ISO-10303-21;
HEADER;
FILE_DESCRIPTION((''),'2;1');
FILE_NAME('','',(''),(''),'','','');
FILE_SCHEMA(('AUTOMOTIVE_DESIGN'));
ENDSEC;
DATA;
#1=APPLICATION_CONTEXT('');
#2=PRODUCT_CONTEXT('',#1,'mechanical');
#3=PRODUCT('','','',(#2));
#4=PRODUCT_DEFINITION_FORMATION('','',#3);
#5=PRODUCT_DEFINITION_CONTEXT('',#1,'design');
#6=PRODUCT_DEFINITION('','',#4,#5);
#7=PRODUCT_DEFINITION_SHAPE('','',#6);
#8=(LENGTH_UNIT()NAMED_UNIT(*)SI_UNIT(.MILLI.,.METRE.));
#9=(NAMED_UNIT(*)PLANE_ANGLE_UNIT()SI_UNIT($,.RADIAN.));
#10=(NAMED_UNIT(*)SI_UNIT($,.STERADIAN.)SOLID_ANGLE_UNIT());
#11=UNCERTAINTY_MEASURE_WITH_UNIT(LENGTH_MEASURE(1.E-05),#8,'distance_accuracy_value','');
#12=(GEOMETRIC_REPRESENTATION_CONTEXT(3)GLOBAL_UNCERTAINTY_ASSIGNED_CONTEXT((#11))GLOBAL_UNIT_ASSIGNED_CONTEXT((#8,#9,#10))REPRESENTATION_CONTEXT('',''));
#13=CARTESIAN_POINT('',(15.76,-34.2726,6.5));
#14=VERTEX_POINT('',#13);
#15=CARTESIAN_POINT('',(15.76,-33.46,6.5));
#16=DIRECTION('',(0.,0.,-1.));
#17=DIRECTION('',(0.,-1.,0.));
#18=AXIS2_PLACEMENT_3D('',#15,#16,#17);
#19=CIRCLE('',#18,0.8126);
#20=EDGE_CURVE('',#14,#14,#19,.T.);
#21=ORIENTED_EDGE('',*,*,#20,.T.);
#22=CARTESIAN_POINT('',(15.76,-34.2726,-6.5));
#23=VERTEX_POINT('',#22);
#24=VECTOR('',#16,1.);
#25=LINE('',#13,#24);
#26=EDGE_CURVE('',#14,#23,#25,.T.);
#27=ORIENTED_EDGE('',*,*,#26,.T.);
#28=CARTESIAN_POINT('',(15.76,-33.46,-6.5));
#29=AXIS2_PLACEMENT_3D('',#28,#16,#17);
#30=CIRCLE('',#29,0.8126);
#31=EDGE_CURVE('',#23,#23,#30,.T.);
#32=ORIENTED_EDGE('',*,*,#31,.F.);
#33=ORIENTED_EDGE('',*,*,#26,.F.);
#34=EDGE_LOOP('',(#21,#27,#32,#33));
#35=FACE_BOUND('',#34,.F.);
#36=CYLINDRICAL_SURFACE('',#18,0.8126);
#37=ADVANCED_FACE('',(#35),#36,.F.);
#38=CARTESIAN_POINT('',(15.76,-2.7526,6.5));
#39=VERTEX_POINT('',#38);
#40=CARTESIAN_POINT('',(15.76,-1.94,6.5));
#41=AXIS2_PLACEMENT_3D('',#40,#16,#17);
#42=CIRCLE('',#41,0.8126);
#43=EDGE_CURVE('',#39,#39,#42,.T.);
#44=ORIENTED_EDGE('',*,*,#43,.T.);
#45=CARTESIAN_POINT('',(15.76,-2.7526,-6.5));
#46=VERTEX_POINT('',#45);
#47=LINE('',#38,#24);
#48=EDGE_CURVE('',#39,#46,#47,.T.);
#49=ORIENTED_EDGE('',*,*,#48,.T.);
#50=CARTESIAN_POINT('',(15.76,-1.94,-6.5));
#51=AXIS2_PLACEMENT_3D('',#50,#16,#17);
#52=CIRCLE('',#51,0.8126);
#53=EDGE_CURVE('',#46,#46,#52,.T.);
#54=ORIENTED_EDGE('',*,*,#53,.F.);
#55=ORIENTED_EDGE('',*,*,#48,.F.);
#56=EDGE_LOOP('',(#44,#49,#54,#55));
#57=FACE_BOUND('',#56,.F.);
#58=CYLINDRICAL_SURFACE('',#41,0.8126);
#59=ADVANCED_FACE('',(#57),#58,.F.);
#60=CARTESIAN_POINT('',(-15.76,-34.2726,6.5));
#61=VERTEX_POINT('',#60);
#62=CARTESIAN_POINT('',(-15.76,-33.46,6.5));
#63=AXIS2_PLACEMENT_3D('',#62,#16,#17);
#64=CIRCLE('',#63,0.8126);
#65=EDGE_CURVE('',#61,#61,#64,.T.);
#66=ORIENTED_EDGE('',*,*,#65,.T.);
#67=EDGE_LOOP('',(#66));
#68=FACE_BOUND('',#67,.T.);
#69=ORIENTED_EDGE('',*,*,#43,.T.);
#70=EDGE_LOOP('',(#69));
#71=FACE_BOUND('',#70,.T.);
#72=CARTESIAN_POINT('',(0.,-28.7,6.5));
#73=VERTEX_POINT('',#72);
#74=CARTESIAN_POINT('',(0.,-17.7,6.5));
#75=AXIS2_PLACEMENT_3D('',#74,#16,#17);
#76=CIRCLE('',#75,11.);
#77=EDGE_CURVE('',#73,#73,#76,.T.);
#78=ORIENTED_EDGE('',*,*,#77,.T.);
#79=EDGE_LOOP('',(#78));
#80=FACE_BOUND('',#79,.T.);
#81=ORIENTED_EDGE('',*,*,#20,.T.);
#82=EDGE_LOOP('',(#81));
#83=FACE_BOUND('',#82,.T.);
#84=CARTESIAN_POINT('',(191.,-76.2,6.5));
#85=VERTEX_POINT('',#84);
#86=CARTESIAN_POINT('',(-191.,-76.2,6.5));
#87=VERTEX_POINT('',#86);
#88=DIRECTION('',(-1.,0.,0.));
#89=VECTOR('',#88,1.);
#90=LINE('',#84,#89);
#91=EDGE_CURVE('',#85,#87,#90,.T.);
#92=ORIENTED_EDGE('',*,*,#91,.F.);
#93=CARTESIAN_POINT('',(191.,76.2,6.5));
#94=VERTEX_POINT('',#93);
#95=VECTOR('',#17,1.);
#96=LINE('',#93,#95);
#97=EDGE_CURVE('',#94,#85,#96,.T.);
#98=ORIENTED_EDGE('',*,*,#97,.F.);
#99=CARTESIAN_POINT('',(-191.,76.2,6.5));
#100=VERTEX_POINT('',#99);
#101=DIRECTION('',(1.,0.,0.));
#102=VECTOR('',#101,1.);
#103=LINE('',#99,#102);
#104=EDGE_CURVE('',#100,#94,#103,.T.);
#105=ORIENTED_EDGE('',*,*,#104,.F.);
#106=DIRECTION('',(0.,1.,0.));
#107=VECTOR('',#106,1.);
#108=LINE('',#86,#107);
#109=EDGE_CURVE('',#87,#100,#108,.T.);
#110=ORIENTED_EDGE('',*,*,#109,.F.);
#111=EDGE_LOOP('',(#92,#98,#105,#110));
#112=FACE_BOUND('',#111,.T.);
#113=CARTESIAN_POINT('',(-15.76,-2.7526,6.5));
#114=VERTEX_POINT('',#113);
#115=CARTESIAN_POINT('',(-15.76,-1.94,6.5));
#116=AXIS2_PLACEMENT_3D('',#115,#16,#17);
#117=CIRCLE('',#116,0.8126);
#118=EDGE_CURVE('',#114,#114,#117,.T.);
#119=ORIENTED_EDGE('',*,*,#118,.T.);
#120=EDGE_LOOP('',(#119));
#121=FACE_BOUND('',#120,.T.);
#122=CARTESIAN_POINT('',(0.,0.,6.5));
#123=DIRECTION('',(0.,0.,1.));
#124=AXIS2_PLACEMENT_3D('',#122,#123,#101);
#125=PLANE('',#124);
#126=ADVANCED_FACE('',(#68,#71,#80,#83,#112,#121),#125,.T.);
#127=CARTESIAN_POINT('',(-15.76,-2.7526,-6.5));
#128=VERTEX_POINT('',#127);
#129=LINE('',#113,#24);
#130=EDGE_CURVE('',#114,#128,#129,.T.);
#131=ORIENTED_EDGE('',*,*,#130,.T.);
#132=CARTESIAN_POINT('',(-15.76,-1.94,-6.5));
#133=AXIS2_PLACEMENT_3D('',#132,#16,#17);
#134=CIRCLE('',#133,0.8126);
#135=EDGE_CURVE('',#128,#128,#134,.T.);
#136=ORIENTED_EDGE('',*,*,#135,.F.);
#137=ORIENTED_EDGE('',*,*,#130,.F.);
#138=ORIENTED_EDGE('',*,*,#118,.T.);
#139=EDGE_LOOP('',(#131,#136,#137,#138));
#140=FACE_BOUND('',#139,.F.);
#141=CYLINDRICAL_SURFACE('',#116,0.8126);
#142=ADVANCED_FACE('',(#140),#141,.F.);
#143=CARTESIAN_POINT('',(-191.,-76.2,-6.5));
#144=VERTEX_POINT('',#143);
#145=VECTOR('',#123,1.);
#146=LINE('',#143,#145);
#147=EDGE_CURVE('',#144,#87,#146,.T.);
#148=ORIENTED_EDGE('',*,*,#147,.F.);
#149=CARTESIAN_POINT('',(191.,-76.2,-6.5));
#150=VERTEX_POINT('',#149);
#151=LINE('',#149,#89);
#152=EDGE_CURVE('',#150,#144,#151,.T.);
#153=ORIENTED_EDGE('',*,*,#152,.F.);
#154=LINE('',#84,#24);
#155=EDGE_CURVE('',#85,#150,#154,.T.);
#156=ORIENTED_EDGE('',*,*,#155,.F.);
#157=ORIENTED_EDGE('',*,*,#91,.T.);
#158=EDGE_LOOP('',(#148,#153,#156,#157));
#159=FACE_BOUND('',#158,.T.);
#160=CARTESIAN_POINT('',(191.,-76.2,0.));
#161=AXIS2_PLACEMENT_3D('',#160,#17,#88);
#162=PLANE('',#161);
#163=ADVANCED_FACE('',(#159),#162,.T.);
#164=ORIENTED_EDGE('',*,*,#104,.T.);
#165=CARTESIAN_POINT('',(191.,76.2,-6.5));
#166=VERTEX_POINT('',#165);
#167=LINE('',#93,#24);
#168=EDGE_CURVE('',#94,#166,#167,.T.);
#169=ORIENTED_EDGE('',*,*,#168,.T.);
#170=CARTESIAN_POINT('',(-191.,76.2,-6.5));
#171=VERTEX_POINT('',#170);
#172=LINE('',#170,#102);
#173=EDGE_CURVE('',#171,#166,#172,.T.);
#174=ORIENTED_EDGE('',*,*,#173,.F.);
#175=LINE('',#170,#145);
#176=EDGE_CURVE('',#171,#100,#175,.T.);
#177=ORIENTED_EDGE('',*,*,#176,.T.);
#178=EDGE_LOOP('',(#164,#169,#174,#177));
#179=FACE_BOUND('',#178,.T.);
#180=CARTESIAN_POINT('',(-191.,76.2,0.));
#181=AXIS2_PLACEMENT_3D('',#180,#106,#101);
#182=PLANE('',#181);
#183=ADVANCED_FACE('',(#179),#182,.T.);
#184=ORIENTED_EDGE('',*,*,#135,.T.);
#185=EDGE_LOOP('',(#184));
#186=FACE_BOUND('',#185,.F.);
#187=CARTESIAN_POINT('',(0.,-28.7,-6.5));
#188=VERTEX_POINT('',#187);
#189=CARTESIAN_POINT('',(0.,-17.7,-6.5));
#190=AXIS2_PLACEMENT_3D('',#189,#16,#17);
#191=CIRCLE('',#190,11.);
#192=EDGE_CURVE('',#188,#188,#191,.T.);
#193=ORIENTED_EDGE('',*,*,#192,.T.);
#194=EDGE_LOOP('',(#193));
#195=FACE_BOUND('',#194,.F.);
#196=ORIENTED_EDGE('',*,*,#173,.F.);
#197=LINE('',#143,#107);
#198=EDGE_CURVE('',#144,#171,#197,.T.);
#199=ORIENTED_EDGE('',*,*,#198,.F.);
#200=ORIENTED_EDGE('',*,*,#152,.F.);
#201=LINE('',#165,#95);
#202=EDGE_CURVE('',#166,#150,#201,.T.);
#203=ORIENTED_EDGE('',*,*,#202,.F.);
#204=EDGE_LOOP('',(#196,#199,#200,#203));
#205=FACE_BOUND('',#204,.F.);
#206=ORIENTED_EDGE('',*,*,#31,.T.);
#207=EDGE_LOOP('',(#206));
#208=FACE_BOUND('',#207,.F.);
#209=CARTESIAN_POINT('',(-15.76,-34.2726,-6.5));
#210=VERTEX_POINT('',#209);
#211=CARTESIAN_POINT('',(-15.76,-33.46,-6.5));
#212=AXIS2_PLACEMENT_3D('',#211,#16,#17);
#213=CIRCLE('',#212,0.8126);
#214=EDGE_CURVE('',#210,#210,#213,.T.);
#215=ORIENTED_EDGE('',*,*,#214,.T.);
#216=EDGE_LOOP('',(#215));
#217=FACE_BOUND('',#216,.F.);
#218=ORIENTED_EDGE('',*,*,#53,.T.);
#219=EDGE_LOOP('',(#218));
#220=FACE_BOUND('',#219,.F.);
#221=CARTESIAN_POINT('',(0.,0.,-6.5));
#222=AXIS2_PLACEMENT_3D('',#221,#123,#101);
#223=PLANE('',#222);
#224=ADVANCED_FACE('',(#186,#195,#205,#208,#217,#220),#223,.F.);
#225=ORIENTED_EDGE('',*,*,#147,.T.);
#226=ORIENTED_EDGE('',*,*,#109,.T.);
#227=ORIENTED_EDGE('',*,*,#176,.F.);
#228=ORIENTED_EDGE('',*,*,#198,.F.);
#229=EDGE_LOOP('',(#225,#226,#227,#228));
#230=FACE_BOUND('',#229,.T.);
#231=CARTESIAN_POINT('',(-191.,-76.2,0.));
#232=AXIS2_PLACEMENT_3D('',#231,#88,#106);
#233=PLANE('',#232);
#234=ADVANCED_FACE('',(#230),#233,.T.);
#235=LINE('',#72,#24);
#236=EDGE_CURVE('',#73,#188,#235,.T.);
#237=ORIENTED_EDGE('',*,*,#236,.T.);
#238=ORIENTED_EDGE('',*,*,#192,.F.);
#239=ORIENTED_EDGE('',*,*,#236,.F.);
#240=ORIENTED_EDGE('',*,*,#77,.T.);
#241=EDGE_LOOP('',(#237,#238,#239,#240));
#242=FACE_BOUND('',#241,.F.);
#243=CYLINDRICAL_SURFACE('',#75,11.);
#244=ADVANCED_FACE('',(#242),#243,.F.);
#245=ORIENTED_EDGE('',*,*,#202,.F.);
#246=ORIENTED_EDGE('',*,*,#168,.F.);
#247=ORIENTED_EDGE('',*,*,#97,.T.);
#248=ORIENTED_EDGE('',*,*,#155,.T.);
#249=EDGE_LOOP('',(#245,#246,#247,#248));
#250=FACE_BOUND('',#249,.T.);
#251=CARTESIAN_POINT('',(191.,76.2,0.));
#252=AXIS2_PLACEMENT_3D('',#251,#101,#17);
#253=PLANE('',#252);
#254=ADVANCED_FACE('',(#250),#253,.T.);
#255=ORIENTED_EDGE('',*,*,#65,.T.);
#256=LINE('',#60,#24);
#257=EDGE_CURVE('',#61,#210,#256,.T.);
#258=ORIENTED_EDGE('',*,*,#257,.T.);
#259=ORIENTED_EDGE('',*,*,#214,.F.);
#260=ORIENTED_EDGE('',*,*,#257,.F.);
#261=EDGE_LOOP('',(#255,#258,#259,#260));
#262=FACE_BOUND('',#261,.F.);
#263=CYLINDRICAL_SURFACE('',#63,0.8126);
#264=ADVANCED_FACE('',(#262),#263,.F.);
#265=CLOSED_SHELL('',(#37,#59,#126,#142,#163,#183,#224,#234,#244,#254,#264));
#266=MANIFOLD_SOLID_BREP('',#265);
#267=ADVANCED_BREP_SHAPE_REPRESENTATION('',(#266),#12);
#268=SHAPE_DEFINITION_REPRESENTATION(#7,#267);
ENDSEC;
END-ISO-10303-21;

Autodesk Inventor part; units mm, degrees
ref_plane "YZ Plane" through (0, 0, 0) normal (1, 0, 0) x (0, 1, 0)
ref_plane "XZ Plane" through (0, 0, 0) normal (0, 1, 0) x (-1, 0, 0)
ref_plane "XY Plane" through (0, 0, 0) normal (0, 0, 1) x (1, 0, 0)
sketch "Sketch1" plane through (0, 0, 0) normal (0, 0, 1) x (1, 0, 0)
  line L0 (-191, 76.2) -> (191, 76.2)
  line L1 (191, 76.2) -> (191, -76.2)
  line L2 (191, -76.2) -> (-191, -76.2)
  line L3 (-191, -76.2) -> (-191, 76.2)
  line L4 (-191, 76.2) -> (191, -76.2) construction
  line L5 (191, 76.2) -> (-191, -76.2) construction
  point P0 (0, 0)
  dimension "d0" = 152.4
  dimension "d1" = 382
extrude "Extrusion1" add sketch "Sketch1" along normal mid plane 13
sketch "Sketch3" plane through (0, 0, 6.5) normal (0, 0, 1) x (1, 0, 0)
  circle A0 centre (15.76, -1.94) radius 0.8126
  circle A1 centre (-15.76, -1.94) radius 0.8126
  circle A2 centre (15.76, -33.46) radius 0.8126
  circle A3 centre (-15.76, -33.46) radius 0.8126
  line L0 (-15.76, -1.94) -> (15.76, -1.94)
  line L1 (15.76, -1.94) -> (15.76, -33.46)
  line L2 (15.76, -33.46) -> (-15.76, -33.46)
  line L3 (-15.76, -33.46) -> (-15.76, -1.94)
  line L4 (-15.76, -1.94) -> (15.76, -33.46) construction
  line L5 (15.76, -1.94) -> (-15.76, -33.46) construction
  line L6 (-191, -76.2) -> (191, -76.2) projected
  line L7 (-191, 76.2) -> (-191, -76.2) projected
  point P0 (0, 0)
  point P1 (0, -17.7)
  point P2 (0, -17.7)
  dimension "d5" = 31.52
  dimension "d6" = 31.52
  dimension "d7" = 58.5
hole "Hole1" at (15.76, -1.94, 6.5) at (-15.76, -1.94, 6.5) at (-15.76, -33.46, 6.5) at (15.76, -33.46, 6.5) direction (0, 0, -1) diameter 1.6252 end through all
sketch "Sketch4" plane through (0, 0, 6.5) normal (0, 0, 1) x (1, 0, 0)
  circle A0 centre (-15.76, -1.94) radius 0.8126 projected
  circle A1 centre (15.76, -33.46) radius 0.8126 projected
  circle A2 centre (0, -17.7) radius 11
  point P0 (0, 0)
  dimension "d18" = 22
hole "Hole2" at (0, -17.7, 6.5) direction (0, 0, -1) diameter 22 end through all
properties part number "CNC-X-axis- foundation faces"
